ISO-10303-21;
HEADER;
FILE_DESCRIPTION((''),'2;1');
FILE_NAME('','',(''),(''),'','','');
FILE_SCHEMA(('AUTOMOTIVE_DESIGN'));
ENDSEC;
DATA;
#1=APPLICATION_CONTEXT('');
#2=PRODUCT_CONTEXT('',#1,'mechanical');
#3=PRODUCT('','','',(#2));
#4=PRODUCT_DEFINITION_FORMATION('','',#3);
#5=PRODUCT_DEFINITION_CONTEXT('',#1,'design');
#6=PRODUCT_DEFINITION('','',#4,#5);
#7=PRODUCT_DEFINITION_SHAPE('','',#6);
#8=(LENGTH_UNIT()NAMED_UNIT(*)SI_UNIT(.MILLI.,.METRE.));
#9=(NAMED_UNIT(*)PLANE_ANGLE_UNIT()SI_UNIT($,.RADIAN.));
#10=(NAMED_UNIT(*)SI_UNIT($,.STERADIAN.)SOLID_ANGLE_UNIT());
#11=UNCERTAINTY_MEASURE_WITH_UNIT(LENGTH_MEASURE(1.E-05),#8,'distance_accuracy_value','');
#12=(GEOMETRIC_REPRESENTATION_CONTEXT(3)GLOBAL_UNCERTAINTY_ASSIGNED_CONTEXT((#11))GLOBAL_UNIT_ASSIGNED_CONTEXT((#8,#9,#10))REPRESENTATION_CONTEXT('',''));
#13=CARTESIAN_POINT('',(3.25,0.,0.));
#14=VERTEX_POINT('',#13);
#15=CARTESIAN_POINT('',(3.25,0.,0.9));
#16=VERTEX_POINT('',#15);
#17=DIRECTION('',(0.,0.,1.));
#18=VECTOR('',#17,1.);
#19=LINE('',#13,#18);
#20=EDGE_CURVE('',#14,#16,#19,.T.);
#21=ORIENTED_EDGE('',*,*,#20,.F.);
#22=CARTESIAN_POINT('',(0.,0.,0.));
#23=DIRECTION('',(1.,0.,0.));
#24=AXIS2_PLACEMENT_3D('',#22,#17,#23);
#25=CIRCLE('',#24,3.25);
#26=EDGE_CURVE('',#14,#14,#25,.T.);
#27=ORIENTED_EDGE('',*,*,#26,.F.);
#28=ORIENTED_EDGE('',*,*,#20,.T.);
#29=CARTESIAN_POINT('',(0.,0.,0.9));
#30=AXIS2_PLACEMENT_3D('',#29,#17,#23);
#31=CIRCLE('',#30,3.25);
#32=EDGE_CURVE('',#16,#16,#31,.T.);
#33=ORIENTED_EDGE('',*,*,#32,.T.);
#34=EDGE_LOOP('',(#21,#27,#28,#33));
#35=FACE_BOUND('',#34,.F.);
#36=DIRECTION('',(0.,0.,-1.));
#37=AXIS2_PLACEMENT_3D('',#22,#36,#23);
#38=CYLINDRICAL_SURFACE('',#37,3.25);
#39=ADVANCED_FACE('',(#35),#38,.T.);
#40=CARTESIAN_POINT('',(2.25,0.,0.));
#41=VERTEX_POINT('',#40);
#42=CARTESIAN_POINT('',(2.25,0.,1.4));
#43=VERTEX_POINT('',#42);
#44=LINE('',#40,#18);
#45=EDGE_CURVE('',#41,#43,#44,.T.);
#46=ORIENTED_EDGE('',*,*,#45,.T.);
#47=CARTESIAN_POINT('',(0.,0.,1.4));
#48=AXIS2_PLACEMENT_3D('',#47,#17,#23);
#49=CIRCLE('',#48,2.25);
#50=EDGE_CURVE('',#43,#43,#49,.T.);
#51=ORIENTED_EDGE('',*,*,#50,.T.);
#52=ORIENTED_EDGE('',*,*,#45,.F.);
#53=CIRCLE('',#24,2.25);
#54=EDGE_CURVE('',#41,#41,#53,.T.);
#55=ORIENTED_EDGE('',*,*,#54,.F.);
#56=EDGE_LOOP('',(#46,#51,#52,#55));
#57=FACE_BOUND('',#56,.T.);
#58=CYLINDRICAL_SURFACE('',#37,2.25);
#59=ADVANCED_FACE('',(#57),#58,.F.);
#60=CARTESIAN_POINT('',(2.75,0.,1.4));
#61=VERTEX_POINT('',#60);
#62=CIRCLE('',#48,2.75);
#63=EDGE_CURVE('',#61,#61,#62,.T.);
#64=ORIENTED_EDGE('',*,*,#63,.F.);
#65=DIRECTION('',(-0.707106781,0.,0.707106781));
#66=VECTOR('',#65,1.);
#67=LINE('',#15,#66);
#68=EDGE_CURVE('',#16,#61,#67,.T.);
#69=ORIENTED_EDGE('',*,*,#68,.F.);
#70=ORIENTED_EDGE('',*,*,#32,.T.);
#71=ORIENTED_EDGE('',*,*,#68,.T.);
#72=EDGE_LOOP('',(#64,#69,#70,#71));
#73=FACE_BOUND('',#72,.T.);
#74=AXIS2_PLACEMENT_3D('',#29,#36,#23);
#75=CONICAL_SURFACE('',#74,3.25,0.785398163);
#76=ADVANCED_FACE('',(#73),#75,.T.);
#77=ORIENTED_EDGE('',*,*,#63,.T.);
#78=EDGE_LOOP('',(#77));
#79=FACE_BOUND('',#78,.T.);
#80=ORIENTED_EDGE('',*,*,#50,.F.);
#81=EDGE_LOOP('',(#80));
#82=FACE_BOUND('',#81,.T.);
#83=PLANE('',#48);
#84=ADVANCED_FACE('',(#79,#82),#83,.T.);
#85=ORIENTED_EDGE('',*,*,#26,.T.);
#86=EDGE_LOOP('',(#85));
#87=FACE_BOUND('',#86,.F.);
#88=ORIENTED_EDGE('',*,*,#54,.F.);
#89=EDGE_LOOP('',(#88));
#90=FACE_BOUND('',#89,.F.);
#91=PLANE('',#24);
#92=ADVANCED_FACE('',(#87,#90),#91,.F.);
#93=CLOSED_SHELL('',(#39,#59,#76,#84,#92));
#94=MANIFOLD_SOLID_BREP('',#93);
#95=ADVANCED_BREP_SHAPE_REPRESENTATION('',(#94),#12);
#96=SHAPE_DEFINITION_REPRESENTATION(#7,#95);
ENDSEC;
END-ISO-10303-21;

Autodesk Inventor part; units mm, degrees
ref_plane "YZ Plane" through (0, 0, 0) normal (1, 0, 0) x (0, 1, 0)
ref_plane "XZ Plane" through (0, 0, 0) normal (0, 1, 0) x (-1, 0, 0)
ref_plane "XY Plane" through (0, 0, 0) normal (0, 0, 1) x (1, 0, 0)
sketch "スケッチ1" plane through (0, 0, 0) normal (0, 0, 1) x (1, 0, 0)
  circle A0 centre (0, 0) radius 2.25
  circle A1 centre (0, 0) radius 3.25
  dimension "d0" = 4.5
  dimension "d1" = 6.5
extrude "押し出し1" add sketch "スケッチ1" along normal blind 1.4
chamfer "面取り1" distance 0.5 angle 45 1 edges at (-3.25, 0, 1.4)
properties part number "外周ベアリングスペーサ1"
